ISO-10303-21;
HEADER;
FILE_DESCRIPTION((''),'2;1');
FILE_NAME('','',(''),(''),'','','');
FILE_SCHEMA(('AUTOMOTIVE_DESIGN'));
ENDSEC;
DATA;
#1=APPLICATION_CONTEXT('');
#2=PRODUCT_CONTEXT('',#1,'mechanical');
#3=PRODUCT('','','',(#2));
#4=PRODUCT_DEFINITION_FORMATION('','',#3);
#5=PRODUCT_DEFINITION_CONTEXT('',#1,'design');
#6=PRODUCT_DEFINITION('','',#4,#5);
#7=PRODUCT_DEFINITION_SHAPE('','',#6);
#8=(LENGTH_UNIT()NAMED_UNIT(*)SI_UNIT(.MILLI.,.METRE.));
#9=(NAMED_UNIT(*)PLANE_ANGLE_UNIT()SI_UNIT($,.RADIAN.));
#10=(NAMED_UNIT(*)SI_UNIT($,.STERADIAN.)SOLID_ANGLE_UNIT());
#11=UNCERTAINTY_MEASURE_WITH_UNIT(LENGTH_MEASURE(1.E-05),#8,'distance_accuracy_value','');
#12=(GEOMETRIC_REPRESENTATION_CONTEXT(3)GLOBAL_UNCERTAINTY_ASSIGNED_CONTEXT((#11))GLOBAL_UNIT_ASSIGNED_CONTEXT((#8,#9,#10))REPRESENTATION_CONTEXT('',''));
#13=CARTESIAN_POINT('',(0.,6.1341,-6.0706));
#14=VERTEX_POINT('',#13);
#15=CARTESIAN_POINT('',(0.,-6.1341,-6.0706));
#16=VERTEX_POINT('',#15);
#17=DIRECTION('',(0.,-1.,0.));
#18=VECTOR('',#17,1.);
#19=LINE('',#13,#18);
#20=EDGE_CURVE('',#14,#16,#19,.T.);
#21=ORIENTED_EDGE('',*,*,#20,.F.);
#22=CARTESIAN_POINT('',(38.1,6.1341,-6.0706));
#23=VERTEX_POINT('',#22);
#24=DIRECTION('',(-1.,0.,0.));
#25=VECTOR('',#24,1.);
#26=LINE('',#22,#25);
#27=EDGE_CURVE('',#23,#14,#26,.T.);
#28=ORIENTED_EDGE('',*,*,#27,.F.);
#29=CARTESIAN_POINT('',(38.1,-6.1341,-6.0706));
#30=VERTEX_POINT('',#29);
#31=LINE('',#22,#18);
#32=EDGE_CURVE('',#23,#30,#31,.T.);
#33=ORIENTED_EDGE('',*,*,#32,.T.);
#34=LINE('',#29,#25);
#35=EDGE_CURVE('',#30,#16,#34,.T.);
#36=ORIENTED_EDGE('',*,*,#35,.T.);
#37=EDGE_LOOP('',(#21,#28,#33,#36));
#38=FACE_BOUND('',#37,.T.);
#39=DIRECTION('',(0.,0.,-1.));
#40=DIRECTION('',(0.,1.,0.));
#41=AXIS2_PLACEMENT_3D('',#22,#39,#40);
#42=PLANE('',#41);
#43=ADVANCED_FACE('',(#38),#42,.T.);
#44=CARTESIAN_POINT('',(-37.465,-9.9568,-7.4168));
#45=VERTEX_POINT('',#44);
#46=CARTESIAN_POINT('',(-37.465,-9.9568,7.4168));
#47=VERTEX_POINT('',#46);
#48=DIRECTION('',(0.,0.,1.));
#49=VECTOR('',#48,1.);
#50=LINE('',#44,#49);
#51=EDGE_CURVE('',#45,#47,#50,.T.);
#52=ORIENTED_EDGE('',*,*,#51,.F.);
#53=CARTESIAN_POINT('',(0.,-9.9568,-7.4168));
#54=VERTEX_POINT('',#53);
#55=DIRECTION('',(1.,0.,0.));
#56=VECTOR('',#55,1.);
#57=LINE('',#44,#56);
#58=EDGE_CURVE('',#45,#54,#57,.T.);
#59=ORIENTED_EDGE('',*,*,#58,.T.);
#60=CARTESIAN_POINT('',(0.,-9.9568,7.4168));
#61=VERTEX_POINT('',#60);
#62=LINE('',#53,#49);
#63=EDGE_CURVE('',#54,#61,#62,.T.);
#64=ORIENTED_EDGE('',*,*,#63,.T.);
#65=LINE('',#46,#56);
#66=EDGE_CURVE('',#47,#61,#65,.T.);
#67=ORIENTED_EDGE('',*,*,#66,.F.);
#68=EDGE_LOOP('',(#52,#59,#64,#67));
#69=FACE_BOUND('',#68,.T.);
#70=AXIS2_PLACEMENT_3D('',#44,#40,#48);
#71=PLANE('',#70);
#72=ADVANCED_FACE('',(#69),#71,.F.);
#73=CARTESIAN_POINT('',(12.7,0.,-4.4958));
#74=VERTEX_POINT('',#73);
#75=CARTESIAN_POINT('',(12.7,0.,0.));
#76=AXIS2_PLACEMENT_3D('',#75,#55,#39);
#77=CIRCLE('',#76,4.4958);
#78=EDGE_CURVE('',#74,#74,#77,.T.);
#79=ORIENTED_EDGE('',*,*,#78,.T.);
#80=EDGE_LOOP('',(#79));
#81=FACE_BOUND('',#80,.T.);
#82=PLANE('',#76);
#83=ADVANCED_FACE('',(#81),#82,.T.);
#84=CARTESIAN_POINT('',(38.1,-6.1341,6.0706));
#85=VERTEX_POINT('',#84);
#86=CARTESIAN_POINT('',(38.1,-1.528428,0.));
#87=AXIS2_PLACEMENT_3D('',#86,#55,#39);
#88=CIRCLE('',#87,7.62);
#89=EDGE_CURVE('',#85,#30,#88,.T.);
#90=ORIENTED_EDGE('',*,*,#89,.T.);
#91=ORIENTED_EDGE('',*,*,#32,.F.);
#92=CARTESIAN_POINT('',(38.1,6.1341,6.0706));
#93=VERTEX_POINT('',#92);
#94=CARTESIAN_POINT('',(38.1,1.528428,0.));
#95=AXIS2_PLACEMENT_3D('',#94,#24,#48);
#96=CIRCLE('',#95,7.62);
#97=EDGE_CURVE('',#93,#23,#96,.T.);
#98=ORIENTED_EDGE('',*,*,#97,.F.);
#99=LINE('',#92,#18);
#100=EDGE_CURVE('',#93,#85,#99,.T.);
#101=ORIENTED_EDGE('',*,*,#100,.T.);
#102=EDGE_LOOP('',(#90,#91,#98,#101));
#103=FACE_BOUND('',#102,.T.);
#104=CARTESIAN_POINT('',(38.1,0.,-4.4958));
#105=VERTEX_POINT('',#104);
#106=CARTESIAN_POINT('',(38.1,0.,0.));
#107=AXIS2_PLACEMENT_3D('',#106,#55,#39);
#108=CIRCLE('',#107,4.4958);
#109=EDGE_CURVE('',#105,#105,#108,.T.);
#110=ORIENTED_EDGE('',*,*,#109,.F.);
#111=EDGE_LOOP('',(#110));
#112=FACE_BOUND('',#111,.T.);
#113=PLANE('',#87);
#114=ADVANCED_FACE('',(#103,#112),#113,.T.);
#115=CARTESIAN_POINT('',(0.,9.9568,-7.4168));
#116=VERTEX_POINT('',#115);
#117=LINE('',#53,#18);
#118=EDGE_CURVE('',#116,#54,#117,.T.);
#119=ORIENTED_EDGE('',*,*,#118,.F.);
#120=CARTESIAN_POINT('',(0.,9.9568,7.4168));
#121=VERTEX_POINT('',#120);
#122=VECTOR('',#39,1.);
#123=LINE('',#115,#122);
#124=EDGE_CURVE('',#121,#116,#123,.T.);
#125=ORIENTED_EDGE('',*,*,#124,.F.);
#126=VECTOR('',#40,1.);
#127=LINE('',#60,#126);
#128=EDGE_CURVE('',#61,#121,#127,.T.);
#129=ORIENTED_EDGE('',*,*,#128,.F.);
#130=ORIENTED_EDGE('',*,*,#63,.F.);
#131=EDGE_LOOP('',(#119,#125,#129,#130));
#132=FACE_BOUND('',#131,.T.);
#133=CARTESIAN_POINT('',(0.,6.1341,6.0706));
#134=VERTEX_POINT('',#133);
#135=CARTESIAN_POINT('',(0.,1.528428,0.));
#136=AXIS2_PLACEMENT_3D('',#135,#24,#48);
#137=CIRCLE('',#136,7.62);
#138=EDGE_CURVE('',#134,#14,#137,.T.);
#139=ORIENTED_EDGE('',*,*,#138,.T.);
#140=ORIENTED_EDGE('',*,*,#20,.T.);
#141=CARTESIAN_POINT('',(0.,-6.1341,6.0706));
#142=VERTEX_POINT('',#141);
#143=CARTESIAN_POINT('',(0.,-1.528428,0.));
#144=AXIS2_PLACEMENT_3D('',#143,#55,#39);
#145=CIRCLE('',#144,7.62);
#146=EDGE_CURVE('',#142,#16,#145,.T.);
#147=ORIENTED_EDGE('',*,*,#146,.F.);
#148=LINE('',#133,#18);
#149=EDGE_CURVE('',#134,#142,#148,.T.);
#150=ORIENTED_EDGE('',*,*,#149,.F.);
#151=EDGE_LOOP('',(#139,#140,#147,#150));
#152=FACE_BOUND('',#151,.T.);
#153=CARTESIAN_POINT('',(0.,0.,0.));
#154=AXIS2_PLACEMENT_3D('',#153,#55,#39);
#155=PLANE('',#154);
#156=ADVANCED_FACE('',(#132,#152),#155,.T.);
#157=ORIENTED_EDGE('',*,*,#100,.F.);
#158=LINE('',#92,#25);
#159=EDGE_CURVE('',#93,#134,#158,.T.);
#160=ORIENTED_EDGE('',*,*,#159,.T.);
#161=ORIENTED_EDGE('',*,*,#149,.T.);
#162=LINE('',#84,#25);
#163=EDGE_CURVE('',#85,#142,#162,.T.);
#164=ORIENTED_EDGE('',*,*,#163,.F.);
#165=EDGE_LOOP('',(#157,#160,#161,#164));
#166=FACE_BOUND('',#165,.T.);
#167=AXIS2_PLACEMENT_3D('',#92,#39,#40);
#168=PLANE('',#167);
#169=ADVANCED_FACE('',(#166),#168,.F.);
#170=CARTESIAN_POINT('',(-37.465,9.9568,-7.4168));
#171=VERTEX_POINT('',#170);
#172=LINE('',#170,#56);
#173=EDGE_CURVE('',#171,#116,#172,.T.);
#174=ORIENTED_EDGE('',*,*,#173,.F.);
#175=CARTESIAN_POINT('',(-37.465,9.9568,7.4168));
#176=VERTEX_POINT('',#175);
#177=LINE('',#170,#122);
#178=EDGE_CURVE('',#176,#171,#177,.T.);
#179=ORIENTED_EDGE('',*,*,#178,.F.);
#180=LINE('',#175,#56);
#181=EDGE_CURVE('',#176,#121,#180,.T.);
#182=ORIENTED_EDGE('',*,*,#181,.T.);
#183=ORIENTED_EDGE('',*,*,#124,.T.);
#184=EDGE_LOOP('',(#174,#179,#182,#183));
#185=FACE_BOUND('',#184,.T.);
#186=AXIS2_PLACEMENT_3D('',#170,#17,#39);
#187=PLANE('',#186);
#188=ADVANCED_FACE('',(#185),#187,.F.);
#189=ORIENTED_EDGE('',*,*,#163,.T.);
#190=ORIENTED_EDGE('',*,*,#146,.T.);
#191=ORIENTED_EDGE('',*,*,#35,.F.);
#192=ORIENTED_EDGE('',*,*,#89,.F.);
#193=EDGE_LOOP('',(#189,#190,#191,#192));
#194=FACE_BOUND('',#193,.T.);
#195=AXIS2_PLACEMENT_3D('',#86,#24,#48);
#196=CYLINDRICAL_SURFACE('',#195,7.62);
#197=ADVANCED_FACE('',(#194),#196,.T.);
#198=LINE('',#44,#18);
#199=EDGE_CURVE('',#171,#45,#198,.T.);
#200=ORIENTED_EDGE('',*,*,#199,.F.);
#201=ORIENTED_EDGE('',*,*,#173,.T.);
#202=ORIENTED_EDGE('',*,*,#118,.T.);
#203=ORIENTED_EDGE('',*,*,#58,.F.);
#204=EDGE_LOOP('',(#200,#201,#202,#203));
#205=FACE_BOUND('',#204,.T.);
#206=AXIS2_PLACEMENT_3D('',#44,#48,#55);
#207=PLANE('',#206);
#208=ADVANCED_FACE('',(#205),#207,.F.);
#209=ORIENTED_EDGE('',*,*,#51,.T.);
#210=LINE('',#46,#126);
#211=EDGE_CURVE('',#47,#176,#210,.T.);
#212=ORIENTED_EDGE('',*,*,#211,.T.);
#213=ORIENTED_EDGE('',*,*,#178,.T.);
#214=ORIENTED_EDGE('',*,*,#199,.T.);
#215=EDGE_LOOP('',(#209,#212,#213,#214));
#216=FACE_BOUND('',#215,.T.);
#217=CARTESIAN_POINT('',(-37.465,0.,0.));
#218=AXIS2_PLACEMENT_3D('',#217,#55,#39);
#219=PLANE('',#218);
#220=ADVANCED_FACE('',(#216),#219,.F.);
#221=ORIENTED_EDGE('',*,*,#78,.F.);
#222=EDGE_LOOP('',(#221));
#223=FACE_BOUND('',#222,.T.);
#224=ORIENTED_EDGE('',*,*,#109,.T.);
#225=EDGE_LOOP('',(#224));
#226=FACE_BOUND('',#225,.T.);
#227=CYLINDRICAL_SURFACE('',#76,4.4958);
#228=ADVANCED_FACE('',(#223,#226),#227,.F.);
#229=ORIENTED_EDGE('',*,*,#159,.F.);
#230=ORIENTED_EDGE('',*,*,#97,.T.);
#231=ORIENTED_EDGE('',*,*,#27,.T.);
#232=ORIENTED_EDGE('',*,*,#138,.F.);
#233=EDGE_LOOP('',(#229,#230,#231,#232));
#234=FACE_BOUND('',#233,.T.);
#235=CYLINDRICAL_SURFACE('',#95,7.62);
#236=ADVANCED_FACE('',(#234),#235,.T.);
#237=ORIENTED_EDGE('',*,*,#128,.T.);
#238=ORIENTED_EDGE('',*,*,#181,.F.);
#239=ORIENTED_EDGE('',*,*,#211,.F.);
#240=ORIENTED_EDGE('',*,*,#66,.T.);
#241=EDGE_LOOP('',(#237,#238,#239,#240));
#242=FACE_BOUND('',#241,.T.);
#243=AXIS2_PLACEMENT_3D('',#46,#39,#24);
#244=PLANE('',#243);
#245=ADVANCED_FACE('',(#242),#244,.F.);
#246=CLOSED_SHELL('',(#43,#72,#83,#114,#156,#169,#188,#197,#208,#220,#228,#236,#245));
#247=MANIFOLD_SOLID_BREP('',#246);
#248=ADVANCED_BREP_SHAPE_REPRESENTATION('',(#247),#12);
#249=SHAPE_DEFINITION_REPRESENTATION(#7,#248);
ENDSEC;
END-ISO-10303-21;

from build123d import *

# Parameters (mm, degrees)
BOSS_EXTRUDE1_DEPTH = 38.1
SKETCH2_R           = 4.4958
CUT_EXTRUDE1_DEPTH  = 25.4
SKETCH4_W           = 14.8336
SKETCH4_H           = 19.9136
BOSS_EXTRUDE2_DEPTH = 37.465


with BuildPart() as part:
    # Sketch1 → Boss-Extrude1 (new body)
    with BuildSketch(Plane(origin=(0, 0, 0), x_dir=(0, 0, -1), z_dir=(1, 0, 0))):
        with BuildLine():
            Line((-6.0706, 6.1341), (-6.0706, -6.1341))
            ThreePointArc((-6.0706, -6.1341), (0, -9.148427884), (6.0706, -6.1341))
            Line((6.0706, -6.1341), (6.0706, 6.1341))
            ThreePointArc((6.0706, 6.1341), (0, 9.148427884), (-6.0706, 6.1341))
        make_face()
    extrude(amount=BOSS_EXTRUDE1_DEPTH)

    # Sketch2 → Cut-Extrude1 (cut)
    with BuildSketch(Plane(origin=(38.1, 0, 0), x_dir=(0, 0, -1), z_dir=(1, 0, 0))):
        Circle(SKETCH2_R)
    extrude(amount=-CUT_EXTRUDE1_DEPTH, mode=Mode.SUBTRACT)

    # Sketch4 → Boss-Extrude2 (add)
    with BuildSketch(Plane.ZY):
        Rectangle(SKETCH4_W, SKETCH4_H)
    extrude(amount=BOSS_EXTRUDE2_DEPTH)


solid = part.part
